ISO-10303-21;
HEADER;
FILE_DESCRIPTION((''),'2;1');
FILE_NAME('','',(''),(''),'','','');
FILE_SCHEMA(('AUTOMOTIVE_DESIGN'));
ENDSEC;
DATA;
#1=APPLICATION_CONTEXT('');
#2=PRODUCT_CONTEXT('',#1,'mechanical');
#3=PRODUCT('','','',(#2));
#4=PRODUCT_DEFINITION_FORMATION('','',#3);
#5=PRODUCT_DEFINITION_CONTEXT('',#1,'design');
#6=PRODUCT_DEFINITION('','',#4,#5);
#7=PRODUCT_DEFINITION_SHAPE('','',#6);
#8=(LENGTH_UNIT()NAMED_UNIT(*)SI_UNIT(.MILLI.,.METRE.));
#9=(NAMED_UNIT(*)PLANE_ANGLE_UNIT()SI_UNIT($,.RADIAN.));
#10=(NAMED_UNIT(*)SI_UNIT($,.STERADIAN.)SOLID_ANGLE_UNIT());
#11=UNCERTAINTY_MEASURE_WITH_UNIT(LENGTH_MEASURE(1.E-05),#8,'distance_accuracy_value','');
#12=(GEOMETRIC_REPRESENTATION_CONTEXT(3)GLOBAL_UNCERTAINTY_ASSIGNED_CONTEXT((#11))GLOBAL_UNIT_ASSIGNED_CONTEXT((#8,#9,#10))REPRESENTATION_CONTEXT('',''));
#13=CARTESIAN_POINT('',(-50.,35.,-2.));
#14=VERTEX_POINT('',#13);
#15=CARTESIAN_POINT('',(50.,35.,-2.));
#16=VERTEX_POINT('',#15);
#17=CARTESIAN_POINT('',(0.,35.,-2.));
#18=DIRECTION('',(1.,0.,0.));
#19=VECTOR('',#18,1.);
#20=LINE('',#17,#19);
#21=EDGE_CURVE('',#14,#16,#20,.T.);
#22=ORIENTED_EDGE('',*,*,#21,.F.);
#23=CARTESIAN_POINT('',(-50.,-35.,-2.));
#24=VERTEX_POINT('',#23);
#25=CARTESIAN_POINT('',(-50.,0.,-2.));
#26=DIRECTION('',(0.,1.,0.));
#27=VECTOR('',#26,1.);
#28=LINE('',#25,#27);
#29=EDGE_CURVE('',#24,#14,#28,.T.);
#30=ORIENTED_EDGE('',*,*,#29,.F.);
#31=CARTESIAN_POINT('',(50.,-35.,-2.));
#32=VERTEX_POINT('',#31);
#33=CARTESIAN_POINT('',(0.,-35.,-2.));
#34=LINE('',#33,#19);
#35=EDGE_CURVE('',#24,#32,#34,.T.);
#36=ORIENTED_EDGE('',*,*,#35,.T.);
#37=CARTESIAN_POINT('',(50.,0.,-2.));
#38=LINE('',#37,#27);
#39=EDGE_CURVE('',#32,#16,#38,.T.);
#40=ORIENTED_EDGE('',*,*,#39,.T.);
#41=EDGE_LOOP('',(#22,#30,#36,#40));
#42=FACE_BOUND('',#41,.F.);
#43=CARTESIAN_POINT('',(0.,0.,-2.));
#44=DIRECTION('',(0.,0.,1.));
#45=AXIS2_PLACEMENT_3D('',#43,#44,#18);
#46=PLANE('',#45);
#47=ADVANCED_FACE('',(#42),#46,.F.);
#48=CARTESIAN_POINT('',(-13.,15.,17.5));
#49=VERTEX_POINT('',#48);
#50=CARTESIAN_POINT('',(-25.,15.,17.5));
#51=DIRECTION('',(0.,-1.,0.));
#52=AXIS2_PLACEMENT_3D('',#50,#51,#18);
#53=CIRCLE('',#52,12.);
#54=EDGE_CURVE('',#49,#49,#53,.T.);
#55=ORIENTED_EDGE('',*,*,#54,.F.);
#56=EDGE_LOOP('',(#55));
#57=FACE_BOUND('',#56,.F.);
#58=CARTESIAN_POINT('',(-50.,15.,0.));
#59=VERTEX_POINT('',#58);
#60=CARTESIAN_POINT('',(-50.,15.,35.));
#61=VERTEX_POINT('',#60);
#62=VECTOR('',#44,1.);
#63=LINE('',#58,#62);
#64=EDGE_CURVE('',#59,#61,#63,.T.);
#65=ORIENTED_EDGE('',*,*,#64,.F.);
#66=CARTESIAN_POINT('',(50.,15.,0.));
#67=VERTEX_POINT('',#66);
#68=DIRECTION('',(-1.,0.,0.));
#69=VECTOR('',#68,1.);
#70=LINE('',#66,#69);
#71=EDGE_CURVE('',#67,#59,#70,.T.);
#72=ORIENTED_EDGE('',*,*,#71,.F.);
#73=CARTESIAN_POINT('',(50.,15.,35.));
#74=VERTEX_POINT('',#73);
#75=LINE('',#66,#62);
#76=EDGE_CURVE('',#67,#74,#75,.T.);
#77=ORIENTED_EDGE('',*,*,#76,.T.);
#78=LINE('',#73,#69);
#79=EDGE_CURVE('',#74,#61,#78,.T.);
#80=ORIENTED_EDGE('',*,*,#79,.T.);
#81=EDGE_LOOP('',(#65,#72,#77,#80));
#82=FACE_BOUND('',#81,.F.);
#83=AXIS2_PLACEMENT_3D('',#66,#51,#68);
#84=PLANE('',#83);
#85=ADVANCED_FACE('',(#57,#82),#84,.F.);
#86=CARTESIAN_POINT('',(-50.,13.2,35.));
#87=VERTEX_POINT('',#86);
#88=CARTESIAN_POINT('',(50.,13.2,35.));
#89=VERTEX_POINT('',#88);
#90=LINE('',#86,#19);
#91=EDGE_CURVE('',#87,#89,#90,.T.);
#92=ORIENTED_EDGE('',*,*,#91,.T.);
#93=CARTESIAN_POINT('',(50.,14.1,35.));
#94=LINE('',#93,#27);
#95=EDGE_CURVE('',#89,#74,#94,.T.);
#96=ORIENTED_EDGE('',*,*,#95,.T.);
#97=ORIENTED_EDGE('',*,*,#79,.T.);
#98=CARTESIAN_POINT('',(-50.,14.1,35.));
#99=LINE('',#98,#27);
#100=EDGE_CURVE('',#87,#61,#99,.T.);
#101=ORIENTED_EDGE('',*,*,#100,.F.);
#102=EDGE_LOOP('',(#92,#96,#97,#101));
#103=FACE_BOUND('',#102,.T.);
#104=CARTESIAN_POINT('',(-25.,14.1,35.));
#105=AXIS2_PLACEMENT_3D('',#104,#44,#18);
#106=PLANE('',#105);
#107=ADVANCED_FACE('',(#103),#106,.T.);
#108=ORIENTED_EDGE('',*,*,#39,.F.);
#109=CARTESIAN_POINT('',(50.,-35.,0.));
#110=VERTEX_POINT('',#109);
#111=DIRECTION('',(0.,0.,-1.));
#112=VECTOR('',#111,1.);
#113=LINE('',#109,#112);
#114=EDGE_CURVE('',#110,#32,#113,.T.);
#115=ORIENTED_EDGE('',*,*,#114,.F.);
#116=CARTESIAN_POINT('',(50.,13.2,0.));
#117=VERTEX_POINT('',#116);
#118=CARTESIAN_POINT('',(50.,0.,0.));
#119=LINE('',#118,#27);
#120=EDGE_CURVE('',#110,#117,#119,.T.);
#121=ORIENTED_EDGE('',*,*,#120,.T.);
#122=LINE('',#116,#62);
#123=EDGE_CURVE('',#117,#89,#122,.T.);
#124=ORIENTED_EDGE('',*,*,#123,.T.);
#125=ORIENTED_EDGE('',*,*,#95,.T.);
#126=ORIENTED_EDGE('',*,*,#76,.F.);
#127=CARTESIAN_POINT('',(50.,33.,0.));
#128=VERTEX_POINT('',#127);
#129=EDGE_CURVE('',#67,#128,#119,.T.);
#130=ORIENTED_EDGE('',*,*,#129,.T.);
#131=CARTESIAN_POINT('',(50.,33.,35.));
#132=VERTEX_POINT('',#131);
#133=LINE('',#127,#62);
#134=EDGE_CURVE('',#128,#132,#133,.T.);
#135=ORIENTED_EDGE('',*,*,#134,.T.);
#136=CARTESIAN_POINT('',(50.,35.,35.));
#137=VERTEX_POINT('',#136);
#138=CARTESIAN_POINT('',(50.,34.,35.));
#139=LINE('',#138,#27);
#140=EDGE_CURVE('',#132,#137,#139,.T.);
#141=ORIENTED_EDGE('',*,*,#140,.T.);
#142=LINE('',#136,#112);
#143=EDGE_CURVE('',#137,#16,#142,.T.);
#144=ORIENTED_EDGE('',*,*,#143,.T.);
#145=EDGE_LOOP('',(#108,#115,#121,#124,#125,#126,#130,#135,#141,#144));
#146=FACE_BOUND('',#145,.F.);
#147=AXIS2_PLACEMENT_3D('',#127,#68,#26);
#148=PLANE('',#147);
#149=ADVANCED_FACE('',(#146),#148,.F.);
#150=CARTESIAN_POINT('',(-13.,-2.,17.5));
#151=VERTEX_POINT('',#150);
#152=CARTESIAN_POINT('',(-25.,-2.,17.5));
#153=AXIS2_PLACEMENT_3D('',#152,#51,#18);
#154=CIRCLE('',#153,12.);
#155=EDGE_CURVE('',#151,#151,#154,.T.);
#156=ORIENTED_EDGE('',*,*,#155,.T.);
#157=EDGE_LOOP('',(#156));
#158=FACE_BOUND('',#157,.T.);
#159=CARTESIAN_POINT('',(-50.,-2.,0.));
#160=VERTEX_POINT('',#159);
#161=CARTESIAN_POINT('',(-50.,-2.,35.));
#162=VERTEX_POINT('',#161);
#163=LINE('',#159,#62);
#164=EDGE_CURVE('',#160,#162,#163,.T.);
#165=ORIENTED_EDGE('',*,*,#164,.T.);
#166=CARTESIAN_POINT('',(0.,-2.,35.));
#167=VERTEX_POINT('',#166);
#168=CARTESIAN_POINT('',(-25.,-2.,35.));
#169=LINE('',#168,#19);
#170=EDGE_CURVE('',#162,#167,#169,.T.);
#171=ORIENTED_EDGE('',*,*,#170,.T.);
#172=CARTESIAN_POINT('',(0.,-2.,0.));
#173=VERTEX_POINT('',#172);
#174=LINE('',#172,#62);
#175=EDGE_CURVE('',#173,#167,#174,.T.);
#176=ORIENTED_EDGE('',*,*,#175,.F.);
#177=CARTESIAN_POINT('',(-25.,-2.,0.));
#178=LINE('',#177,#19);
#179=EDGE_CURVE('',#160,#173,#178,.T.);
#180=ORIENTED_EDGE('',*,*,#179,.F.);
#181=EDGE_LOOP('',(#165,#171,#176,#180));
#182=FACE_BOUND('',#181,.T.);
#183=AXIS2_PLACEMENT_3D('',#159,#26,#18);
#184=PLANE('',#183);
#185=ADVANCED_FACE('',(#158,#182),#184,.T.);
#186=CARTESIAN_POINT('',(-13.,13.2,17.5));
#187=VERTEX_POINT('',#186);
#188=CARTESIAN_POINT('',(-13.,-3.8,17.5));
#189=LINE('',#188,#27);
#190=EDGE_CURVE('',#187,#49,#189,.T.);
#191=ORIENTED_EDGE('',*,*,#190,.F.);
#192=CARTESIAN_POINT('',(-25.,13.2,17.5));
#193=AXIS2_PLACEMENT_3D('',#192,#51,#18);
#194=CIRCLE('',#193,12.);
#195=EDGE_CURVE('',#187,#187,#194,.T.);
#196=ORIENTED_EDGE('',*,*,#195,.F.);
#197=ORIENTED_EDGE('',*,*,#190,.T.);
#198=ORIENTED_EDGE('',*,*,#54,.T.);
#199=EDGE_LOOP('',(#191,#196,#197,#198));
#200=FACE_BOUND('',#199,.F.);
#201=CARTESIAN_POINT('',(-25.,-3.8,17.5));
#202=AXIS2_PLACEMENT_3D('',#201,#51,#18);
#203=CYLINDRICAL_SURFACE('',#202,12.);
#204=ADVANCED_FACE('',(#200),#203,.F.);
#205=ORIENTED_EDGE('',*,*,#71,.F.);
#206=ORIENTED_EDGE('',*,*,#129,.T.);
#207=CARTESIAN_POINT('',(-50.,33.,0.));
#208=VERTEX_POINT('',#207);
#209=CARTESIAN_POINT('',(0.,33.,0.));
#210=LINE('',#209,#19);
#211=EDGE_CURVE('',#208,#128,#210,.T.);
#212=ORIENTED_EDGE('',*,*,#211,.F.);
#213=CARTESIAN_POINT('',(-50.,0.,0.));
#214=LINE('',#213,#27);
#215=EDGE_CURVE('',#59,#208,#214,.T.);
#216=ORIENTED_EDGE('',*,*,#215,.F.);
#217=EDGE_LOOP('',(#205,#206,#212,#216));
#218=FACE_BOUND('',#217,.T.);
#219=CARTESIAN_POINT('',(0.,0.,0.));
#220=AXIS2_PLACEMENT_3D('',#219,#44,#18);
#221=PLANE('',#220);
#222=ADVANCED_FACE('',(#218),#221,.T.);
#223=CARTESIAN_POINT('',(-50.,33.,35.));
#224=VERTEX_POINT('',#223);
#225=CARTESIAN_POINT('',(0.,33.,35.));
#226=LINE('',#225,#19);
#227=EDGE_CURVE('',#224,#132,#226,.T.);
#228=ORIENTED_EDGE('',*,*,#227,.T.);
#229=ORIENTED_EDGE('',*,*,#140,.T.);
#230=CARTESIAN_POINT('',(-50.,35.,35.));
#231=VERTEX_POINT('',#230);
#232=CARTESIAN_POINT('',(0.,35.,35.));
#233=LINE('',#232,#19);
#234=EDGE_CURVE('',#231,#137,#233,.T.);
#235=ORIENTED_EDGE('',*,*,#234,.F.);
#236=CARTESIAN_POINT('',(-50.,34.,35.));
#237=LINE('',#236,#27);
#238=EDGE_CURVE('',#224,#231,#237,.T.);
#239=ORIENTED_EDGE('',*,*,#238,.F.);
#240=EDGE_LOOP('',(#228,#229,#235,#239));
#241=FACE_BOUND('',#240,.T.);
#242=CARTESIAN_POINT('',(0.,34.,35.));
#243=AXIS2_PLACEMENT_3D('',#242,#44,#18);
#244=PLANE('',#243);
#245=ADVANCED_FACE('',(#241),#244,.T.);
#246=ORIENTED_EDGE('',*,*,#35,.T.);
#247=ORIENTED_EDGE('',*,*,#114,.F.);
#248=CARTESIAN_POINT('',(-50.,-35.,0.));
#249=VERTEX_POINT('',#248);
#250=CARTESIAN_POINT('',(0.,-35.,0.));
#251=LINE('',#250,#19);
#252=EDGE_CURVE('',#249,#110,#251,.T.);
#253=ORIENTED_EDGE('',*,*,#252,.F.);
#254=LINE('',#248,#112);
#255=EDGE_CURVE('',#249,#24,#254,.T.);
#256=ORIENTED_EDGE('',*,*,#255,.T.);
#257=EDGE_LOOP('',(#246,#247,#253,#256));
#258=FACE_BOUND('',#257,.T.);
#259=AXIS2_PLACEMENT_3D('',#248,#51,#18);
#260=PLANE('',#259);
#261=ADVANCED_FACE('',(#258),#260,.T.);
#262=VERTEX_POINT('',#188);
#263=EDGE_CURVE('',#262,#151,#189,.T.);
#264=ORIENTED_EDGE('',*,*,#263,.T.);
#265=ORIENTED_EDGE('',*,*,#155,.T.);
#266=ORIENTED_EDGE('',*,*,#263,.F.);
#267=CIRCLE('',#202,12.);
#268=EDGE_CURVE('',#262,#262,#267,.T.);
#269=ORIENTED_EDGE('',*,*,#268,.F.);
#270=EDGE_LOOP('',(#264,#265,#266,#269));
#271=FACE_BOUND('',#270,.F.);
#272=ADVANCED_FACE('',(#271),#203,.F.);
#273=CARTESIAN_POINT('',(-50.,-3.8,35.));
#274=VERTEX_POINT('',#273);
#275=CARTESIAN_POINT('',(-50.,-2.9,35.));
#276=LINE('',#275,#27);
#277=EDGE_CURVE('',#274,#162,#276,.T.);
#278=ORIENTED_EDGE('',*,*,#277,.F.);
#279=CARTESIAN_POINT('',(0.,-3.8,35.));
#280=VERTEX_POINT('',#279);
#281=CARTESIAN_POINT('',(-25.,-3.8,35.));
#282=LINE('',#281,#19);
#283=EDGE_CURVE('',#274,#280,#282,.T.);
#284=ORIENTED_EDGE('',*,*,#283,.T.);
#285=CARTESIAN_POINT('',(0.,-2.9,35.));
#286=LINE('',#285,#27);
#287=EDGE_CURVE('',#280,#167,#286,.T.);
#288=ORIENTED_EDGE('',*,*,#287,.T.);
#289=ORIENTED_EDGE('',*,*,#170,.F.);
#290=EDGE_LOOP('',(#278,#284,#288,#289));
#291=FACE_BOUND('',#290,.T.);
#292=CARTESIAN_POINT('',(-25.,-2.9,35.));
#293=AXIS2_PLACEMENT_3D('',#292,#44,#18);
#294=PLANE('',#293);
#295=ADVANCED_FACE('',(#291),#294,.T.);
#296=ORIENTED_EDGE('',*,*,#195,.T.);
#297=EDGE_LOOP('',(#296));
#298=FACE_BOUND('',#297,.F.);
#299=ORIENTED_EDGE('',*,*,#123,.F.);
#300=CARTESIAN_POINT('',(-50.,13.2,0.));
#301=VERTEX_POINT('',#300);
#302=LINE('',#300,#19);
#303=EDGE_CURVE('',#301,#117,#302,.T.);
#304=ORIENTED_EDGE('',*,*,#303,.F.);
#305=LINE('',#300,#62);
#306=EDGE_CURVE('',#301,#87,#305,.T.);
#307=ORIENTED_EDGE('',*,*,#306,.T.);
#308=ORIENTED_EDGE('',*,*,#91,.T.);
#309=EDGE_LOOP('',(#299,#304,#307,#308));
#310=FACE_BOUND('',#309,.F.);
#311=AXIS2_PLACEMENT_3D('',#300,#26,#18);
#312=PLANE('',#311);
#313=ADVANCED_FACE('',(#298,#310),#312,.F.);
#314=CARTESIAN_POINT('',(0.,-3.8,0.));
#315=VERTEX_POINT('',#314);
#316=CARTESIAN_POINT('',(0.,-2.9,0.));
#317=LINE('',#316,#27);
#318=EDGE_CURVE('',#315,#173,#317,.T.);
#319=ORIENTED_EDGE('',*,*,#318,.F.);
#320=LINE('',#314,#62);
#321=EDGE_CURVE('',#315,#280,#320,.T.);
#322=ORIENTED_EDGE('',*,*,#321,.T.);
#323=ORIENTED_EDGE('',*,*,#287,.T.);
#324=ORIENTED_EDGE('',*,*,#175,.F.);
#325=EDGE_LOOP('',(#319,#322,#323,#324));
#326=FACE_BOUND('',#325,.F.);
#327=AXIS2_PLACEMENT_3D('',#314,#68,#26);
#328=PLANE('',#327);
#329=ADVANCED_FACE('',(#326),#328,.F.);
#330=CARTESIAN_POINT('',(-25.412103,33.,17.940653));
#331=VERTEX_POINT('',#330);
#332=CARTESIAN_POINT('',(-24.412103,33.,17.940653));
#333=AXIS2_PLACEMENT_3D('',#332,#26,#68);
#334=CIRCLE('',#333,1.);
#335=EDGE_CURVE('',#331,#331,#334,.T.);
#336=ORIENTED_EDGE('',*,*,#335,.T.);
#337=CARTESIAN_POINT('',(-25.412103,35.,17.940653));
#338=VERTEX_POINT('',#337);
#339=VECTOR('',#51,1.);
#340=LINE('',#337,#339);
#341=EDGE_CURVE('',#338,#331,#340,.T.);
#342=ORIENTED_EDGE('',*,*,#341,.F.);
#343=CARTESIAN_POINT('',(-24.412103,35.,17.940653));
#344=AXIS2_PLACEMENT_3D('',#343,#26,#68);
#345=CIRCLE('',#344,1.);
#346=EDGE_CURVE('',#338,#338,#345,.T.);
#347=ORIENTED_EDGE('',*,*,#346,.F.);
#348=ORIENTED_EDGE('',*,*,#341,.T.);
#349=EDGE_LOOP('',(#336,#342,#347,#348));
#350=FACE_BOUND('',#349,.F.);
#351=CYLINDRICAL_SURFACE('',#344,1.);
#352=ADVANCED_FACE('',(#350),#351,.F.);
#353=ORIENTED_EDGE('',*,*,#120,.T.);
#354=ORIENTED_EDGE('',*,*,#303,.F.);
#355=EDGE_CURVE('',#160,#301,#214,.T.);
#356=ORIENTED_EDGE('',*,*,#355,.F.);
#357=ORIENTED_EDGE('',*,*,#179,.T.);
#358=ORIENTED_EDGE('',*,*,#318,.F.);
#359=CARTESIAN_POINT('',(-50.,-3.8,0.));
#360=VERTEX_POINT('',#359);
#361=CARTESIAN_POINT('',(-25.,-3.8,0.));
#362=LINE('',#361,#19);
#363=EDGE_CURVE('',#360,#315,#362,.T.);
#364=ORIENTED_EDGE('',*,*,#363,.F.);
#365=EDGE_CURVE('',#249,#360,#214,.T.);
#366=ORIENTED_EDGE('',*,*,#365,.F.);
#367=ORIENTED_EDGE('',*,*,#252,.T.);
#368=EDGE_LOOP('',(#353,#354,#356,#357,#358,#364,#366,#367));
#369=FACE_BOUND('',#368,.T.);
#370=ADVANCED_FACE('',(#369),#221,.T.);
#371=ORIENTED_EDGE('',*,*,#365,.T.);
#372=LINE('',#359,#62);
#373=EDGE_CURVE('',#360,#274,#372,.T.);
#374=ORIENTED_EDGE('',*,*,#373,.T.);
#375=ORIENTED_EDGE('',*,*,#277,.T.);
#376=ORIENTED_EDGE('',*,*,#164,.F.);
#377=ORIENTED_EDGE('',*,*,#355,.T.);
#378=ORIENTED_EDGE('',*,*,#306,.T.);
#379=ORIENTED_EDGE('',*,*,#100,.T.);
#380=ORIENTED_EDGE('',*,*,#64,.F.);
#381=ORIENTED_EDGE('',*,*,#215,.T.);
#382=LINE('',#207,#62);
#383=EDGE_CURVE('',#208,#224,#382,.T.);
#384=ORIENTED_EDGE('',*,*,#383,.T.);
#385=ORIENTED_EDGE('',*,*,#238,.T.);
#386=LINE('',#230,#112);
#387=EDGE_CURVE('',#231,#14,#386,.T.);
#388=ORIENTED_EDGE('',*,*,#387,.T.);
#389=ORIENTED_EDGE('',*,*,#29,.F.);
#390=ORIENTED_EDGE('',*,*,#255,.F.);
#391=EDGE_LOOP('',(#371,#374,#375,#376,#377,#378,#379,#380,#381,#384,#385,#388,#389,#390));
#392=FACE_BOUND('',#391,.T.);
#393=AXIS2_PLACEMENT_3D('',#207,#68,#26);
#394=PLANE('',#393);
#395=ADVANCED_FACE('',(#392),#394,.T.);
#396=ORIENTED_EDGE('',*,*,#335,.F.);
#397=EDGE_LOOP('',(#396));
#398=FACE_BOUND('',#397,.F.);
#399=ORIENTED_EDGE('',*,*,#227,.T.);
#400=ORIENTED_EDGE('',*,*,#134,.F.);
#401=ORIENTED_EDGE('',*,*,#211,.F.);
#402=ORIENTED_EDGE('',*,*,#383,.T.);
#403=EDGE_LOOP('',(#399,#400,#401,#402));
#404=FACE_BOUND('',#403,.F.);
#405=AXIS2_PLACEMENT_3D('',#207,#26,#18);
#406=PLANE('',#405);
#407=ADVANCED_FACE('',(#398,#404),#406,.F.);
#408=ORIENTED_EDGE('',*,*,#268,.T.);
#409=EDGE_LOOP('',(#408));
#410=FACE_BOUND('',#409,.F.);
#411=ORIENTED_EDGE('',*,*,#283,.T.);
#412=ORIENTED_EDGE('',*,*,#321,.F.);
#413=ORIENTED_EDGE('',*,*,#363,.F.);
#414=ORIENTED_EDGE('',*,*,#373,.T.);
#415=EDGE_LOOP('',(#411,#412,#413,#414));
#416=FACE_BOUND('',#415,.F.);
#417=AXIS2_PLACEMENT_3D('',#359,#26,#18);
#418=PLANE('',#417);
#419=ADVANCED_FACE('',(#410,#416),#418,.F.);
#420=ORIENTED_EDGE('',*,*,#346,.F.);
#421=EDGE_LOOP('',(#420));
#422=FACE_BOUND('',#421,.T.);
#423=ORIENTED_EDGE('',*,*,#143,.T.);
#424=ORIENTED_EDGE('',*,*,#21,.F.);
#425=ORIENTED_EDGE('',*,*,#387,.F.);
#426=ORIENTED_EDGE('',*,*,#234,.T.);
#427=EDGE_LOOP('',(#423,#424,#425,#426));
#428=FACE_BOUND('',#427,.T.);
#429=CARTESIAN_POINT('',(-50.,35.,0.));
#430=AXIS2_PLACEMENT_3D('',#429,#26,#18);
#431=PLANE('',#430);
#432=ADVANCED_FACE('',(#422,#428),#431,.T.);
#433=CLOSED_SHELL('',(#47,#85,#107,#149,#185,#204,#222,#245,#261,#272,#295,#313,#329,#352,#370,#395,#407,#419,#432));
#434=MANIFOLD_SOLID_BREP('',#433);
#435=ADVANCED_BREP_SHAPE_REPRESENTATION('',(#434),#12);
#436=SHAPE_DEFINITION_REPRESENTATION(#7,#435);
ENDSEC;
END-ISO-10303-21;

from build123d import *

# Parameters (mm, degrees)
F0_W     = 100
F0_H     = 70
F1_DEPTH = 2
F2_W     = 100
F2_H     = 2
F2_W_2   = 50
F2_H_2   = 1.8
F3_DEPTH = 35
F4_R     = 12
F5_DEPTH = 25
F6_R     = 1
F7_DEPTH = 5.1


with BuildPart() as f1:
    # F0 (on Top) → F1 (new body)
    with BuildSketch(Plane.XY):
        Rectangle(F0_W, F0_H)
    extrude(amount=-F1_DEPTH)

    # F2 (on face) → F3 (join)
    with BuildSketch(Plane.XY):
        with Locations((0, 34)):
            Rectangle(F2_W, F2_H)
        with Locations((-25, 14.1)):
            Rectangle(F2_W_2, F2_H_2)
        with Locations((-25, -2.9)):
            Rectangle(F2_W_2, F2_H_2)
        with Locations((25, 14.1)):
            Rectangle(F2_W_2, F2_H_2)
    extrude(amount=F3_DEPTH)

    # F4 (on face) → F5 (cut)
    with BuildSketch(Plane.XZ.offset(3.8)):
        with Locations((-25, 17.5)):
            Circle(F4_R)
    extrude(amount=-F5_DEPTH, mode=Mode.SUBTRACT)

    # F6 (on face) → F7 (cut)
    with BuildSketch(Plane(origin=(0, 35, 0), x_dir=(-1, 0, 0), z_dir=(0, 1, 0))):
        with Locations((24.412103, 17.940653)):
            Circle(F6_R)
    extrude(amount=-F7_DEPTH, mode=Mode.SUBTRACT)


solid = f1.part
